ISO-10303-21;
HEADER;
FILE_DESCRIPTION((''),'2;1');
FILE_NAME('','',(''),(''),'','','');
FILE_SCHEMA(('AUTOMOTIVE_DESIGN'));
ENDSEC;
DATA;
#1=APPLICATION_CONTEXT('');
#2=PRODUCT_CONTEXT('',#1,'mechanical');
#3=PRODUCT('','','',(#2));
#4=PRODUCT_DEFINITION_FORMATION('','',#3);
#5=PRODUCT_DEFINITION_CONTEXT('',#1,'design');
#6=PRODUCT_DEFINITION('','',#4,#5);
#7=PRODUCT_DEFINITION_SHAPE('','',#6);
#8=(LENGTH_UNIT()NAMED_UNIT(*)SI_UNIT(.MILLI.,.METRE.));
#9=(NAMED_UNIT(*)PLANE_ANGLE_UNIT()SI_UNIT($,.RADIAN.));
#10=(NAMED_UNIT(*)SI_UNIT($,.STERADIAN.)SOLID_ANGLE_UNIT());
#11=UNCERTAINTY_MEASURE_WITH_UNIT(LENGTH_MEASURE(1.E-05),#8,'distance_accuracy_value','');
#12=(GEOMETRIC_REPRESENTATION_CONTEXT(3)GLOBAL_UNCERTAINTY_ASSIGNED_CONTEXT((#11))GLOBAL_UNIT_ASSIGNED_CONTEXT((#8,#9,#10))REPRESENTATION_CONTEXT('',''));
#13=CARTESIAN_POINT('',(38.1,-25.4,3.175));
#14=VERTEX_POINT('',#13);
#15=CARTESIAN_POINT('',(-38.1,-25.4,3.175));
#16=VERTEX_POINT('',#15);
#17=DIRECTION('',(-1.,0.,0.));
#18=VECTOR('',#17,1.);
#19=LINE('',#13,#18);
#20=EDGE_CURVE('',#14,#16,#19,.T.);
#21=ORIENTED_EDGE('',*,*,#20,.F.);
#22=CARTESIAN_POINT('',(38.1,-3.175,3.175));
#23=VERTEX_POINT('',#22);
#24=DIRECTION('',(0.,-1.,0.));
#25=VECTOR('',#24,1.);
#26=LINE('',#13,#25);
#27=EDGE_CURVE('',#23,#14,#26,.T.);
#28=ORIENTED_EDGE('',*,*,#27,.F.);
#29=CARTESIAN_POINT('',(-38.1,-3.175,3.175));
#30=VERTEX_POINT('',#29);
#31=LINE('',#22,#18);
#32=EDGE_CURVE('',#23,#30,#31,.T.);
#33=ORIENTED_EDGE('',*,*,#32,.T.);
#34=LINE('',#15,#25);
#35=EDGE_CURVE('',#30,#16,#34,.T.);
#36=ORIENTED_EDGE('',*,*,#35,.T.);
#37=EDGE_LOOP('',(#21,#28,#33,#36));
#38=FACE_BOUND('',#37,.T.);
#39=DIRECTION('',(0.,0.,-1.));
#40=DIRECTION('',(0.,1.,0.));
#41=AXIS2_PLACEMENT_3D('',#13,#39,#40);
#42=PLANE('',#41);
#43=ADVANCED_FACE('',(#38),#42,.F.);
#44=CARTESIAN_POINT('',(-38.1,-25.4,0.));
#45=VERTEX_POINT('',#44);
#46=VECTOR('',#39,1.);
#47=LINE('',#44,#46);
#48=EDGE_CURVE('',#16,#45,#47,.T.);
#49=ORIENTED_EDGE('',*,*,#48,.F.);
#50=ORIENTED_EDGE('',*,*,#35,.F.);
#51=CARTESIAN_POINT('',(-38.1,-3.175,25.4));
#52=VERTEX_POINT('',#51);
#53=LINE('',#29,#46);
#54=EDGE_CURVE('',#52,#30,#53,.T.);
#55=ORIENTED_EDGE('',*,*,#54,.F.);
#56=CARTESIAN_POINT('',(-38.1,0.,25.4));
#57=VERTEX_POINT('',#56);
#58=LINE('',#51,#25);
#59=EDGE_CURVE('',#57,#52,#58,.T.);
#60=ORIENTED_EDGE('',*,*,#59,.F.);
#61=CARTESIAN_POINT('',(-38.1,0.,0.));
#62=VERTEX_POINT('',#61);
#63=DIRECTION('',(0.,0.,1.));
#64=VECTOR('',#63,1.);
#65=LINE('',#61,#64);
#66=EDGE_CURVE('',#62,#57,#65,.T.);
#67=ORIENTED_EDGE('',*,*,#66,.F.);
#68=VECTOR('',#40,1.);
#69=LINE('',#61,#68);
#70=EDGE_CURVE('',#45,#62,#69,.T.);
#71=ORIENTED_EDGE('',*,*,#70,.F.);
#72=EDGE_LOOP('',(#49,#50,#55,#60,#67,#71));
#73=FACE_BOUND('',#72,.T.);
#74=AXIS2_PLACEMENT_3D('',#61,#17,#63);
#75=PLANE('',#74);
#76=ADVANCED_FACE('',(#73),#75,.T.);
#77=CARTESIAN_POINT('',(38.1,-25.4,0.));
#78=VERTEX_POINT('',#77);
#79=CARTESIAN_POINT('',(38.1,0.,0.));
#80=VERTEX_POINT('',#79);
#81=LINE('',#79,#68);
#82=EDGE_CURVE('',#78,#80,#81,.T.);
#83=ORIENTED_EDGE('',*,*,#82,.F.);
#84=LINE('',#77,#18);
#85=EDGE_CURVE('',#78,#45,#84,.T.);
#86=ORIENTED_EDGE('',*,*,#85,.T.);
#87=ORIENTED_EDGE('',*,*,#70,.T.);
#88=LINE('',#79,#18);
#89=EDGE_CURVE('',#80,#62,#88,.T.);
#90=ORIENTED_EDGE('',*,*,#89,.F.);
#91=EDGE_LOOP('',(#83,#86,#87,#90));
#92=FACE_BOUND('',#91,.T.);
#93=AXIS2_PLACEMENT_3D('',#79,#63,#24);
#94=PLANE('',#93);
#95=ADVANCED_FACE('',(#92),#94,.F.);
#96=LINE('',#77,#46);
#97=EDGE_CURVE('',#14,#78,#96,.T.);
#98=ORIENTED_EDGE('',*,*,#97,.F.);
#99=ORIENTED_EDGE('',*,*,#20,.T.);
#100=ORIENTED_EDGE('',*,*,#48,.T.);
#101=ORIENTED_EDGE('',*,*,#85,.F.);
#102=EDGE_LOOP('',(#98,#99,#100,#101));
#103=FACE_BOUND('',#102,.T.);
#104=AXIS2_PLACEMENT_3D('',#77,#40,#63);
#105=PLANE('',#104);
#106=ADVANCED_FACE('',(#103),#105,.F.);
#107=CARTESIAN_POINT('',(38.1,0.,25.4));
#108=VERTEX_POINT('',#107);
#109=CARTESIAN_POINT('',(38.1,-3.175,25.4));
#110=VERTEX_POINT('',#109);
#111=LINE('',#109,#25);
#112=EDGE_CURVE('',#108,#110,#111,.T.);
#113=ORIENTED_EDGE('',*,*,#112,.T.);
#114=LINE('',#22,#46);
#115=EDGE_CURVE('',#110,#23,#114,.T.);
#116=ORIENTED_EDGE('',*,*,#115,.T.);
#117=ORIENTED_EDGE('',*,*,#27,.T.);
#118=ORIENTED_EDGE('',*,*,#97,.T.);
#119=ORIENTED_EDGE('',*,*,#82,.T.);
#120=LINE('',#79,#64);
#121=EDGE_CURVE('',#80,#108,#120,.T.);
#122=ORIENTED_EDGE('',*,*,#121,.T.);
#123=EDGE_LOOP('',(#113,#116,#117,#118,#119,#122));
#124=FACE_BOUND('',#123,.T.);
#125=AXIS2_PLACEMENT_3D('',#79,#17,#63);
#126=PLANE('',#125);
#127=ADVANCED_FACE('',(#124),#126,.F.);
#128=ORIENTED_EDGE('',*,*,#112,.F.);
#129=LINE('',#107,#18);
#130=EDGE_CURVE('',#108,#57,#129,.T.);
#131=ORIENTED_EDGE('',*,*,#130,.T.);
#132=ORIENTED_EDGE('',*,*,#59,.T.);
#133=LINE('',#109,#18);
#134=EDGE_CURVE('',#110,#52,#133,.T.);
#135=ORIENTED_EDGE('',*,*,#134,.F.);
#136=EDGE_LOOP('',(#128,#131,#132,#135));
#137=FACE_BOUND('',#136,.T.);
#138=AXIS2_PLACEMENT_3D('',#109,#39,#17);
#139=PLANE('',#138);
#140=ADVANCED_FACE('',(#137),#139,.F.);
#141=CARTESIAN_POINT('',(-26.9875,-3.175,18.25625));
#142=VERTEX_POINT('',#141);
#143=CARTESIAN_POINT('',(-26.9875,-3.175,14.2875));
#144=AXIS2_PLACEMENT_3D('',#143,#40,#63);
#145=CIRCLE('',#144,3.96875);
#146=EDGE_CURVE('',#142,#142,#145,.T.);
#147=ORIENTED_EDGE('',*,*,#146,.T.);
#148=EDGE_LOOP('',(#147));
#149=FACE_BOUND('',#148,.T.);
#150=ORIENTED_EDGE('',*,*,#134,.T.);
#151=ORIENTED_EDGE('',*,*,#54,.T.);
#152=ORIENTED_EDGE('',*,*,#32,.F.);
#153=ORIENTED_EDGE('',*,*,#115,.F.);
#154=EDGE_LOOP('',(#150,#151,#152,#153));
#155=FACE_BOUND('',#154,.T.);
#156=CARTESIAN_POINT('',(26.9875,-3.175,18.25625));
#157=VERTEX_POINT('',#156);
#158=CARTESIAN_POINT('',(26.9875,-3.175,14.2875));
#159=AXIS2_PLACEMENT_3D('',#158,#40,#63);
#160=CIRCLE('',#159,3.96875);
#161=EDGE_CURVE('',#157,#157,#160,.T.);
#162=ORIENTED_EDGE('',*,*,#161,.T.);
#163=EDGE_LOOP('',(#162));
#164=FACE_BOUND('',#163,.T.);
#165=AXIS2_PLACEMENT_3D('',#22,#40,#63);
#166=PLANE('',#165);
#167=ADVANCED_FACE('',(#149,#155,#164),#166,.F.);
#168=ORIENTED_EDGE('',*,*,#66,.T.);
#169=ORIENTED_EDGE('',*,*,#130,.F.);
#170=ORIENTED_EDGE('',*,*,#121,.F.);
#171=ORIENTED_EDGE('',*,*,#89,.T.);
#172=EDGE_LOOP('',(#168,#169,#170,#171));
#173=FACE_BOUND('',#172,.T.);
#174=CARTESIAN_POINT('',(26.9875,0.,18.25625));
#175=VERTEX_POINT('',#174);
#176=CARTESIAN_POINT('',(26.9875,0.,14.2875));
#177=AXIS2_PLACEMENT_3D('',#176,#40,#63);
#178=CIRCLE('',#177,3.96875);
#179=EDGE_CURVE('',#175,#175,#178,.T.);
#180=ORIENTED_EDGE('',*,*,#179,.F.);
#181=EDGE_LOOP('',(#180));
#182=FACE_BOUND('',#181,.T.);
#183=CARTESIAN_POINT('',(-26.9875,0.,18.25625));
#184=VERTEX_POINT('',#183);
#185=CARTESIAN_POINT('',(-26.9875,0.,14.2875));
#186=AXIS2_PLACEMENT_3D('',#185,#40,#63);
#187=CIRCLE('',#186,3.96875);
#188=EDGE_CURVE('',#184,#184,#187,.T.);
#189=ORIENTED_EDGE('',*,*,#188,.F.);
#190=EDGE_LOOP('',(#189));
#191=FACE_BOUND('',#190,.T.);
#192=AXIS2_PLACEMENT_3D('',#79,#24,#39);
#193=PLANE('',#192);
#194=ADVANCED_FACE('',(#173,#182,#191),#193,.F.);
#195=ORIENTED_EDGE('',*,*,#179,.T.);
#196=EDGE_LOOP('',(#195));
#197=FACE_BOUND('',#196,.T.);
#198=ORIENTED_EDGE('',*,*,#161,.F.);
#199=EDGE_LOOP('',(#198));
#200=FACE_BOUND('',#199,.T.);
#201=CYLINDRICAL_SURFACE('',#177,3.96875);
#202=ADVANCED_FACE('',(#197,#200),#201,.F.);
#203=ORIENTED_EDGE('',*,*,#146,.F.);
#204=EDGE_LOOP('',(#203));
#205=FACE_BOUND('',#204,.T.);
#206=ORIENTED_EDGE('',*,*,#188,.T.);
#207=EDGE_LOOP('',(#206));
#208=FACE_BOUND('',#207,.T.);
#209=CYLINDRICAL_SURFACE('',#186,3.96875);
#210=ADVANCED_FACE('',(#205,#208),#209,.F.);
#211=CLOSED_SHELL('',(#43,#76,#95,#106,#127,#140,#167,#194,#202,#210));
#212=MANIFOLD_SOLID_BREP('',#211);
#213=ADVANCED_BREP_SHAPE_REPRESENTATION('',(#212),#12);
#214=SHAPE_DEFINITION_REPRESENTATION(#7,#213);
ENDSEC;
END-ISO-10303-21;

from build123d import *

# Parameters (mm, degrees)
BOSS_EXTRUDE2_DEPTH                = 38.1
F_5_16_0_3125_DIAMETER_HOLE1_D     = 7.9375
F_5_16_0_3125_DIAMETER_HOLE1_DEPTH = 3.175


with BuildPart() as part:
    # Sketch1 → Boss-Extrude2 (new body, symmetric)
    with BuildSketch(Plane(origin=(0, 0, 0), x_dir=(0, 0, -1), z_dir=(1, 0, 0))):
        Polygon((0, 0), (-25.4, 0), (-25.4, -3.175), (-3.175, -3.175), (-3.175, -25.4), (0, -25.4), align=None)
    extrude(amount=BOSS_EXTRUDE2_DEPTH, both=True)

    # 5/16 (0.3125) Diameter Hole1
    with Locations(Plane(origin=(0, 0, 0), x_dir=(1, 0, 0), z_dir=(0, 1, 0))):
        with Locations((-26.9875, -14.2875), (26.9875, -14.2875)):
            Hole(F_5_16_0_3125_DIAMETER_HOLE1_D / 2, depth=F_5_16_0_3125_DIAMETER_HOLE1_DEPTH)


solid = part.part
